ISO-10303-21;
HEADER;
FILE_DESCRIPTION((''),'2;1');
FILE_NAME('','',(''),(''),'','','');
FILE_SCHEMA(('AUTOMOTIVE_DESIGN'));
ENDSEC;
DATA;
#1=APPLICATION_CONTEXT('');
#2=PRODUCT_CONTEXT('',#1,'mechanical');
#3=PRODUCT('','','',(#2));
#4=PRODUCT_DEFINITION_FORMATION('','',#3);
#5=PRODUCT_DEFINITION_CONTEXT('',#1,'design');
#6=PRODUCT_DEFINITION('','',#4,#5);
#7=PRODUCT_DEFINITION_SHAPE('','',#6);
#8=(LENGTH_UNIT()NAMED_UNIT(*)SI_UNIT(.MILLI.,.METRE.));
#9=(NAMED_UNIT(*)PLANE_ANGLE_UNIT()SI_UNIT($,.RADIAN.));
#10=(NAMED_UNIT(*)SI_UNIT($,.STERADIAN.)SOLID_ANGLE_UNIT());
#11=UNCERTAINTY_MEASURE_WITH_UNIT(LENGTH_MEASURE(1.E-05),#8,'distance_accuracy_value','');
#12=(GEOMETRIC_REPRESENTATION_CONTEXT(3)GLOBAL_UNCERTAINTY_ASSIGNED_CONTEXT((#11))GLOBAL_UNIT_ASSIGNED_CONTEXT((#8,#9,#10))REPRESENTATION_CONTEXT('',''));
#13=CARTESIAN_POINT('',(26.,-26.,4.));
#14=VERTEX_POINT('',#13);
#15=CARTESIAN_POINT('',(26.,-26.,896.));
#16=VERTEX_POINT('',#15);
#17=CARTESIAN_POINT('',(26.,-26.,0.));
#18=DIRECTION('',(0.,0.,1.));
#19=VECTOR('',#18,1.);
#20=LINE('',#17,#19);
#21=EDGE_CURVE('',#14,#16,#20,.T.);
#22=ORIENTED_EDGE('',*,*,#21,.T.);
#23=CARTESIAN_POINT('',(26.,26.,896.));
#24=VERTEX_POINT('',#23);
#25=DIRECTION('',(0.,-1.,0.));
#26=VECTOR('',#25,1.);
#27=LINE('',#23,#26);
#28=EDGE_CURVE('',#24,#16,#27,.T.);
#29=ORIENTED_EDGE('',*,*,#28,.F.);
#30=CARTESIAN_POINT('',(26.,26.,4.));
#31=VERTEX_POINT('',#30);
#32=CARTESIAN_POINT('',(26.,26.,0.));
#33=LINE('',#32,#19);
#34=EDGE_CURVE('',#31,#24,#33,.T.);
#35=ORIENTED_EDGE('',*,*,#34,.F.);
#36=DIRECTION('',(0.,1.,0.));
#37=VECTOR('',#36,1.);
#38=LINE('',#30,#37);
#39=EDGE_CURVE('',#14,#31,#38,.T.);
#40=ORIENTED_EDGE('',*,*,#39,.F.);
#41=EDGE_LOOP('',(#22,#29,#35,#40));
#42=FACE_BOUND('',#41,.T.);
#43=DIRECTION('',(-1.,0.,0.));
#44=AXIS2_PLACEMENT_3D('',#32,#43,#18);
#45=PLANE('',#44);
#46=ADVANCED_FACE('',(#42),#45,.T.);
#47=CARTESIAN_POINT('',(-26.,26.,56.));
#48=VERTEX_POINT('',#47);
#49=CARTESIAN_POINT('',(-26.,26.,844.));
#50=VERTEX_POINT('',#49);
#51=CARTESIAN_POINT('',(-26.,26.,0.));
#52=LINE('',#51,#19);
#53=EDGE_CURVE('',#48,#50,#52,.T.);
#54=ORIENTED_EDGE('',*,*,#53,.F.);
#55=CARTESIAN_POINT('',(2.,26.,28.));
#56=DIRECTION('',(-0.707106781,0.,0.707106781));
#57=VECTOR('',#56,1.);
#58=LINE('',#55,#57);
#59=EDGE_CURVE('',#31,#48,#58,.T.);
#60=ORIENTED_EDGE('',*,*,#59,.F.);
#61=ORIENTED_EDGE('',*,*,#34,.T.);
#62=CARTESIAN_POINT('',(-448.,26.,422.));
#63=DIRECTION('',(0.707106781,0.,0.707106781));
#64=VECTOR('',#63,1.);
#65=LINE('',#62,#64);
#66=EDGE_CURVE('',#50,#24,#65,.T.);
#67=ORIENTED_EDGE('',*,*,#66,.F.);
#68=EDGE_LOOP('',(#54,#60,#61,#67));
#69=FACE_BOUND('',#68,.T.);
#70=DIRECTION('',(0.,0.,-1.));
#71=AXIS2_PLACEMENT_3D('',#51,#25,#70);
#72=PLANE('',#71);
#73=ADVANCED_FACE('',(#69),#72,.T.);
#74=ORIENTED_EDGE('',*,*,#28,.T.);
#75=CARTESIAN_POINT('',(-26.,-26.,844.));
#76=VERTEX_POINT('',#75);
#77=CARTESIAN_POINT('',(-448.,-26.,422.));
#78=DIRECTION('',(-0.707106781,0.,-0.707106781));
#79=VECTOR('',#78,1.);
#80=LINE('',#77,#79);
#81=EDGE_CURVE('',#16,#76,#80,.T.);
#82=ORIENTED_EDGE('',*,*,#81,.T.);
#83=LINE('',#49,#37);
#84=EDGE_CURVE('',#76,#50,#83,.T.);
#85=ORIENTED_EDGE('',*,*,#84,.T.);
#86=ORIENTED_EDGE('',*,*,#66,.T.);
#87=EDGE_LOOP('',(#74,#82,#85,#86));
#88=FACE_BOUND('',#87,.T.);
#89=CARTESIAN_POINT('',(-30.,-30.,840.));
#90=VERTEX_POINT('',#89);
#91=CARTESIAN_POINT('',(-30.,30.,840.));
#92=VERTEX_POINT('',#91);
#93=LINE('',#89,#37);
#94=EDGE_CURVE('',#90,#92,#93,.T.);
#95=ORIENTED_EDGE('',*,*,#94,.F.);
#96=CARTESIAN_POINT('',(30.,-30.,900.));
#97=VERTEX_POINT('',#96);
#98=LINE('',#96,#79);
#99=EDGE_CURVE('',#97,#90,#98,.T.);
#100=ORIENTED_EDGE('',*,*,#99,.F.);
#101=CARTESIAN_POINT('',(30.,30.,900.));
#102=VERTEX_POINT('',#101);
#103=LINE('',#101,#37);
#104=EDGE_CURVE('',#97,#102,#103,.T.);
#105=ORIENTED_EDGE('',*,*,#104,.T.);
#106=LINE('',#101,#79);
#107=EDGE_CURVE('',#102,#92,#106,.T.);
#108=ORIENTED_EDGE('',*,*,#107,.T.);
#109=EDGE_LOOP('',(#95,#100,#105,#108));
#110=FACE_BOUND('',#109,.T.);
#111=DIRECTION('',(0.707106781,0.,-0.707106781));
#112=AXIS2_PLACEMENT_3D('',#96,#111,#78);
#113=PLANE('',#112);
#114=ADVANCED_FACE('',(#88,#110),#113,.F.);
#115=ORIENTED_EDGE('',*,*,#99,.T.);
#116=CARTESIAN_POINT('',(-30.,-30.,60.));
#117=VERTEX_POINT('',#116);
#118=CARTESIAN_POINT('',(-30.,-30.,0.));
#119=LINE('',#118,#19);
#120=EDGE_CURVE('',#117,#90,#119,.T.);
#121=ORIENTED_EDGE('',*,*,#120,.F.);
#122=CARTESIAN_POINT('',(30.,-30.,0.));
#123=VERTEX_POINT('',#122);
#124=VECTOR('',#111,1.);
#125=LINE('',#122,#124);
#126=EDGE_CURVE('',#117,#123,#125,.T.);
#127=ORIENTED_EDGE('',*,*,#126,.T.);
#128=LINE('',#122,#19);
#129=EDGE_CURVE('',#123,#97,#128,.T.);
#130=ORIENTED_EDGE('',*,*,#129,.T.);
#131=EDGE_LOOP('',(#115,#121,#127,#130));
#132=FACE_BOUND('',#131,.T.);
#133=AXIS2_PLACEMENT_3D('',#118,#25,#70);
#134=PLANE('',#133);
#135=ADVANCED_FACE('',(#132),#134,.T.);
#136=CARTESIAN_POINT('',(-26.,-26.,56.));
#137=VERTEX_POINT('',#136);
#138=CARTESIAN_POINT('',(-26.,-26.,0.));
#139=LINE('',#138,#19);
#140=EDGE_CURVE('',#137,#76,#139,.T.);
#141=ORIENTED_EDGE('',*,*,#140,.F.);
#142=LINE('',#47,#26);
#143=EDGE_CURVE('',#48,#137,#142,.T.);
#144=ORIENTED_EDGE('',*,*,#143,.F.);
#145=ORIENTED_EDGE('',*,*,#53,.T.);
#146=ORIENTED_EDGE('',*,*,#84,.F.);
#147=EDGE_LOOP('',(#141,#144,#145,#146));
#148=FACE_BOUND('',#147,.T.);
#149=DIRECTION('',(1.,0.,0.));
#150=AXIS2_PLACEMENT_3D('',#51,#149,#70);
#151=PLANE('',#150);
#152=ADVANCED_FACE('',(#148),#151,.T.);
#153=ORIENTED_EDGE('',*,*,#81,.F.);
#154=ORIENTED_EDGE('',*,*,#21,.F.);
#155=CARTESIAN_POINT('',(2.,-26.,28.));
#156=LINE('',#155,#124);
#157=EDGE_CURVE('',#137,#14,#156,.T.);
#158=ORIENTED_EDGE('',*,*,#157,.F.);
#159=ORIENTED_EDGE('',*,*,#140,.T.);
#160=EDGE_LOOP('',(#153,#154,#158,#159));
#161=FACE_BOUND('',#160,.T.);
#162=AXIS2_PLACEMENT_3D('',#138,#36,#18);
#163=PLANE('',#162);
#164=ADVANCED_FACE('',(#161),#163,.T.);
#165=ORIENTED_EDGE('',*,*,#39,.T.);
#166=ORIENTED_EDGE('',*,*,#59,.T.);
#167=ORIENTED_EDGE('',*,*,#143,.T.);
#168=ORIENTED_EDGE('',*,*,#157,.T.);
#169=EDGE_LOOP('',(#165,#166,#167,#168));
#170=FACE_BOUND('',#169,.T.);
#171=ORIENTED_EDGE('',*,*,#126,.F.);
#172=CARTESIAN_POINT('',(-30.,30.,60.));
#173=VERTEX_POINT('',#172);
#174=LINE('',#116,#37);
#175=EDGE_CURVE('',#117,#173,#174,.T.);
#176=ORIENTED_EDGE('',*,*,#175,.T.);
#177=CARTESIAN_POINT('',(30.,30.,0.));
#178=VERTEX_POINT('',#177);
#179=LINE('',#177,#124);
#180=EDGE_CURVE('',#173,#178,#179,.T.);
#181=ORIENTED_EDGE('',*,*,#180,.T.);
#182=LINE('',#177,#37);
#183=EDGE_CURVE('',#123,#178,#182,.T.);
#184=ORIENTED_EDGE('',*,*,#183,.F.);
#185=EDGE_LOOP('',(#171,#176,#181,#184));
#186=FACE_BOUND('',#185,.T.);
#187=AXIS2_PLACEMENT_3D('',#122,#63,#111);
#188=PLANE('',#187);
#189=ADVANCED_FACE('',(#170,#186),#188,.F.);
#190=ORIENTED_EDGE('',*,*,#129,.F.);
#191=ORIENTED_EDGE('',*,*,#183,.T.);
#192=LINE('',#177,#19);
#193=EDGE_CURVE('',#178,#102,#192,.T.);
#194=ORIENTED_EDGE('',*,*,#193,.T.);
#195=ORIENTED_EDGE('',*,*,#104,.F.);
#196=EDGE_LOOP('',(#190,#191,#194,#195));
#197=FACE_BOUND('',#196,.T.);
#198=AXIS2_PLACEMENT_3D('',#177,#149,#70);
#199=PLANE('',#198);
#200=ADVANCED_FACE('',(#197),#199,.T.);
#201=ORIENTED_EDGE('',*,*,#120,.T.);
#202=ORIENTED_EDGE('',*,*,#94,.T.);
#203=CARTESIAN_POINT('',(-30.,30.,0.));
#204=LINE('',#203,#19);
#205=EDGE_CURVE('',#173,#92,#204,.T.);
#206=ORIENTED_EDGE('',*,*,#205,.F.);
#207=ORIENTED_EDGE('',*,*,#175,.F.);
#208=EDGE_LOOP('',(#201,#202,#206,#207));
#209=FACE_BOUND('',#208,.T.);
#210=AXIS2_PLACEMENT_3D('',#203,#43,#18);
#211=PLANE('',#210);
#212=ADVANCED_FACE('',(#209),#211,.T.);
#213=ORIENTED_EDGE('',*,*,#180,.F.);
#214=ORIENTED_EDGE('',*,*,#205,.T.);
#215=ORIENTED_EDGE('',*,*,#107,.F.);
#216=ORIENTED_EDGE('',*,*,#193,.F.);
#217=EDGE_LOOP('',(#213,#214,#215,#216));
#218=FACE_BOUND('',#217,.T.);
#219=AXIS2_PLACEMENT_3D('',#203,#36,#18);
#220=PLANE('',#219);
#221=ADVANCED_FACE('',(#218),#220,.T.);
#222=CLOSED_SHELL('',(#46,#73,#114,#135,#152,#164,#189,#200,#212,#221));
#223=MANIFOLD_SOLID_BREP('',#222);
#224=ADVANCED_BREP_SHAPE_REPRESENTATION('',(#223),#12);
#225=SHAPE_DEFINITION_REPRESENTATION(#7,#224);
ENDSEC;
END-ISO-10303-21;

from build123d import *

# Parameters (mm, degrees)
SKETCH1_W          = 60
SKETCH1_H          = 60
SKETCH1_W_2        = 52
SKETCH1_H_2        = 52
CUT_EXTRUDE1_DEPTH = 61.0000001


with BuildPart() as part:
    # Sweep1: sweep along a curve in space
    with BuildLine() as sweep1_path:
        add(Edge.make_bspline(
            [(0, 0, 0), (0, 0, 900)],
            knots=[0, 0, 1, 1], degree=1))
    # Sketch1 → Sweep1 (sweep)
    with BuildSketch(Plane.XY):
        Rectangle(SKETCH1_W, SKETCH1_H)
        Rectangle(SKETCH1_W_2, SKETCH1_H_2, mode=Mode.SUBTRACT)
    sweep(path=sweep1_path.line)

    # Sketch2 → Cut-Extrude1 (cut, through all)
    with BuildSketch(Plane(origin=(0, 30, 0), x_dir=(1, 0, 0), z_dir=(0, 1, 0))):
        Polygon((30, 0), (-30, -60), (-30, 0), align=None)
        Polygon((30, -900), (-30, -840), (-30, -900), align=None)
    extrude(amount=-CUT_EXTRUDE1_DEPTH, mode=Mode.SUBTRACT)


solid = part.part
